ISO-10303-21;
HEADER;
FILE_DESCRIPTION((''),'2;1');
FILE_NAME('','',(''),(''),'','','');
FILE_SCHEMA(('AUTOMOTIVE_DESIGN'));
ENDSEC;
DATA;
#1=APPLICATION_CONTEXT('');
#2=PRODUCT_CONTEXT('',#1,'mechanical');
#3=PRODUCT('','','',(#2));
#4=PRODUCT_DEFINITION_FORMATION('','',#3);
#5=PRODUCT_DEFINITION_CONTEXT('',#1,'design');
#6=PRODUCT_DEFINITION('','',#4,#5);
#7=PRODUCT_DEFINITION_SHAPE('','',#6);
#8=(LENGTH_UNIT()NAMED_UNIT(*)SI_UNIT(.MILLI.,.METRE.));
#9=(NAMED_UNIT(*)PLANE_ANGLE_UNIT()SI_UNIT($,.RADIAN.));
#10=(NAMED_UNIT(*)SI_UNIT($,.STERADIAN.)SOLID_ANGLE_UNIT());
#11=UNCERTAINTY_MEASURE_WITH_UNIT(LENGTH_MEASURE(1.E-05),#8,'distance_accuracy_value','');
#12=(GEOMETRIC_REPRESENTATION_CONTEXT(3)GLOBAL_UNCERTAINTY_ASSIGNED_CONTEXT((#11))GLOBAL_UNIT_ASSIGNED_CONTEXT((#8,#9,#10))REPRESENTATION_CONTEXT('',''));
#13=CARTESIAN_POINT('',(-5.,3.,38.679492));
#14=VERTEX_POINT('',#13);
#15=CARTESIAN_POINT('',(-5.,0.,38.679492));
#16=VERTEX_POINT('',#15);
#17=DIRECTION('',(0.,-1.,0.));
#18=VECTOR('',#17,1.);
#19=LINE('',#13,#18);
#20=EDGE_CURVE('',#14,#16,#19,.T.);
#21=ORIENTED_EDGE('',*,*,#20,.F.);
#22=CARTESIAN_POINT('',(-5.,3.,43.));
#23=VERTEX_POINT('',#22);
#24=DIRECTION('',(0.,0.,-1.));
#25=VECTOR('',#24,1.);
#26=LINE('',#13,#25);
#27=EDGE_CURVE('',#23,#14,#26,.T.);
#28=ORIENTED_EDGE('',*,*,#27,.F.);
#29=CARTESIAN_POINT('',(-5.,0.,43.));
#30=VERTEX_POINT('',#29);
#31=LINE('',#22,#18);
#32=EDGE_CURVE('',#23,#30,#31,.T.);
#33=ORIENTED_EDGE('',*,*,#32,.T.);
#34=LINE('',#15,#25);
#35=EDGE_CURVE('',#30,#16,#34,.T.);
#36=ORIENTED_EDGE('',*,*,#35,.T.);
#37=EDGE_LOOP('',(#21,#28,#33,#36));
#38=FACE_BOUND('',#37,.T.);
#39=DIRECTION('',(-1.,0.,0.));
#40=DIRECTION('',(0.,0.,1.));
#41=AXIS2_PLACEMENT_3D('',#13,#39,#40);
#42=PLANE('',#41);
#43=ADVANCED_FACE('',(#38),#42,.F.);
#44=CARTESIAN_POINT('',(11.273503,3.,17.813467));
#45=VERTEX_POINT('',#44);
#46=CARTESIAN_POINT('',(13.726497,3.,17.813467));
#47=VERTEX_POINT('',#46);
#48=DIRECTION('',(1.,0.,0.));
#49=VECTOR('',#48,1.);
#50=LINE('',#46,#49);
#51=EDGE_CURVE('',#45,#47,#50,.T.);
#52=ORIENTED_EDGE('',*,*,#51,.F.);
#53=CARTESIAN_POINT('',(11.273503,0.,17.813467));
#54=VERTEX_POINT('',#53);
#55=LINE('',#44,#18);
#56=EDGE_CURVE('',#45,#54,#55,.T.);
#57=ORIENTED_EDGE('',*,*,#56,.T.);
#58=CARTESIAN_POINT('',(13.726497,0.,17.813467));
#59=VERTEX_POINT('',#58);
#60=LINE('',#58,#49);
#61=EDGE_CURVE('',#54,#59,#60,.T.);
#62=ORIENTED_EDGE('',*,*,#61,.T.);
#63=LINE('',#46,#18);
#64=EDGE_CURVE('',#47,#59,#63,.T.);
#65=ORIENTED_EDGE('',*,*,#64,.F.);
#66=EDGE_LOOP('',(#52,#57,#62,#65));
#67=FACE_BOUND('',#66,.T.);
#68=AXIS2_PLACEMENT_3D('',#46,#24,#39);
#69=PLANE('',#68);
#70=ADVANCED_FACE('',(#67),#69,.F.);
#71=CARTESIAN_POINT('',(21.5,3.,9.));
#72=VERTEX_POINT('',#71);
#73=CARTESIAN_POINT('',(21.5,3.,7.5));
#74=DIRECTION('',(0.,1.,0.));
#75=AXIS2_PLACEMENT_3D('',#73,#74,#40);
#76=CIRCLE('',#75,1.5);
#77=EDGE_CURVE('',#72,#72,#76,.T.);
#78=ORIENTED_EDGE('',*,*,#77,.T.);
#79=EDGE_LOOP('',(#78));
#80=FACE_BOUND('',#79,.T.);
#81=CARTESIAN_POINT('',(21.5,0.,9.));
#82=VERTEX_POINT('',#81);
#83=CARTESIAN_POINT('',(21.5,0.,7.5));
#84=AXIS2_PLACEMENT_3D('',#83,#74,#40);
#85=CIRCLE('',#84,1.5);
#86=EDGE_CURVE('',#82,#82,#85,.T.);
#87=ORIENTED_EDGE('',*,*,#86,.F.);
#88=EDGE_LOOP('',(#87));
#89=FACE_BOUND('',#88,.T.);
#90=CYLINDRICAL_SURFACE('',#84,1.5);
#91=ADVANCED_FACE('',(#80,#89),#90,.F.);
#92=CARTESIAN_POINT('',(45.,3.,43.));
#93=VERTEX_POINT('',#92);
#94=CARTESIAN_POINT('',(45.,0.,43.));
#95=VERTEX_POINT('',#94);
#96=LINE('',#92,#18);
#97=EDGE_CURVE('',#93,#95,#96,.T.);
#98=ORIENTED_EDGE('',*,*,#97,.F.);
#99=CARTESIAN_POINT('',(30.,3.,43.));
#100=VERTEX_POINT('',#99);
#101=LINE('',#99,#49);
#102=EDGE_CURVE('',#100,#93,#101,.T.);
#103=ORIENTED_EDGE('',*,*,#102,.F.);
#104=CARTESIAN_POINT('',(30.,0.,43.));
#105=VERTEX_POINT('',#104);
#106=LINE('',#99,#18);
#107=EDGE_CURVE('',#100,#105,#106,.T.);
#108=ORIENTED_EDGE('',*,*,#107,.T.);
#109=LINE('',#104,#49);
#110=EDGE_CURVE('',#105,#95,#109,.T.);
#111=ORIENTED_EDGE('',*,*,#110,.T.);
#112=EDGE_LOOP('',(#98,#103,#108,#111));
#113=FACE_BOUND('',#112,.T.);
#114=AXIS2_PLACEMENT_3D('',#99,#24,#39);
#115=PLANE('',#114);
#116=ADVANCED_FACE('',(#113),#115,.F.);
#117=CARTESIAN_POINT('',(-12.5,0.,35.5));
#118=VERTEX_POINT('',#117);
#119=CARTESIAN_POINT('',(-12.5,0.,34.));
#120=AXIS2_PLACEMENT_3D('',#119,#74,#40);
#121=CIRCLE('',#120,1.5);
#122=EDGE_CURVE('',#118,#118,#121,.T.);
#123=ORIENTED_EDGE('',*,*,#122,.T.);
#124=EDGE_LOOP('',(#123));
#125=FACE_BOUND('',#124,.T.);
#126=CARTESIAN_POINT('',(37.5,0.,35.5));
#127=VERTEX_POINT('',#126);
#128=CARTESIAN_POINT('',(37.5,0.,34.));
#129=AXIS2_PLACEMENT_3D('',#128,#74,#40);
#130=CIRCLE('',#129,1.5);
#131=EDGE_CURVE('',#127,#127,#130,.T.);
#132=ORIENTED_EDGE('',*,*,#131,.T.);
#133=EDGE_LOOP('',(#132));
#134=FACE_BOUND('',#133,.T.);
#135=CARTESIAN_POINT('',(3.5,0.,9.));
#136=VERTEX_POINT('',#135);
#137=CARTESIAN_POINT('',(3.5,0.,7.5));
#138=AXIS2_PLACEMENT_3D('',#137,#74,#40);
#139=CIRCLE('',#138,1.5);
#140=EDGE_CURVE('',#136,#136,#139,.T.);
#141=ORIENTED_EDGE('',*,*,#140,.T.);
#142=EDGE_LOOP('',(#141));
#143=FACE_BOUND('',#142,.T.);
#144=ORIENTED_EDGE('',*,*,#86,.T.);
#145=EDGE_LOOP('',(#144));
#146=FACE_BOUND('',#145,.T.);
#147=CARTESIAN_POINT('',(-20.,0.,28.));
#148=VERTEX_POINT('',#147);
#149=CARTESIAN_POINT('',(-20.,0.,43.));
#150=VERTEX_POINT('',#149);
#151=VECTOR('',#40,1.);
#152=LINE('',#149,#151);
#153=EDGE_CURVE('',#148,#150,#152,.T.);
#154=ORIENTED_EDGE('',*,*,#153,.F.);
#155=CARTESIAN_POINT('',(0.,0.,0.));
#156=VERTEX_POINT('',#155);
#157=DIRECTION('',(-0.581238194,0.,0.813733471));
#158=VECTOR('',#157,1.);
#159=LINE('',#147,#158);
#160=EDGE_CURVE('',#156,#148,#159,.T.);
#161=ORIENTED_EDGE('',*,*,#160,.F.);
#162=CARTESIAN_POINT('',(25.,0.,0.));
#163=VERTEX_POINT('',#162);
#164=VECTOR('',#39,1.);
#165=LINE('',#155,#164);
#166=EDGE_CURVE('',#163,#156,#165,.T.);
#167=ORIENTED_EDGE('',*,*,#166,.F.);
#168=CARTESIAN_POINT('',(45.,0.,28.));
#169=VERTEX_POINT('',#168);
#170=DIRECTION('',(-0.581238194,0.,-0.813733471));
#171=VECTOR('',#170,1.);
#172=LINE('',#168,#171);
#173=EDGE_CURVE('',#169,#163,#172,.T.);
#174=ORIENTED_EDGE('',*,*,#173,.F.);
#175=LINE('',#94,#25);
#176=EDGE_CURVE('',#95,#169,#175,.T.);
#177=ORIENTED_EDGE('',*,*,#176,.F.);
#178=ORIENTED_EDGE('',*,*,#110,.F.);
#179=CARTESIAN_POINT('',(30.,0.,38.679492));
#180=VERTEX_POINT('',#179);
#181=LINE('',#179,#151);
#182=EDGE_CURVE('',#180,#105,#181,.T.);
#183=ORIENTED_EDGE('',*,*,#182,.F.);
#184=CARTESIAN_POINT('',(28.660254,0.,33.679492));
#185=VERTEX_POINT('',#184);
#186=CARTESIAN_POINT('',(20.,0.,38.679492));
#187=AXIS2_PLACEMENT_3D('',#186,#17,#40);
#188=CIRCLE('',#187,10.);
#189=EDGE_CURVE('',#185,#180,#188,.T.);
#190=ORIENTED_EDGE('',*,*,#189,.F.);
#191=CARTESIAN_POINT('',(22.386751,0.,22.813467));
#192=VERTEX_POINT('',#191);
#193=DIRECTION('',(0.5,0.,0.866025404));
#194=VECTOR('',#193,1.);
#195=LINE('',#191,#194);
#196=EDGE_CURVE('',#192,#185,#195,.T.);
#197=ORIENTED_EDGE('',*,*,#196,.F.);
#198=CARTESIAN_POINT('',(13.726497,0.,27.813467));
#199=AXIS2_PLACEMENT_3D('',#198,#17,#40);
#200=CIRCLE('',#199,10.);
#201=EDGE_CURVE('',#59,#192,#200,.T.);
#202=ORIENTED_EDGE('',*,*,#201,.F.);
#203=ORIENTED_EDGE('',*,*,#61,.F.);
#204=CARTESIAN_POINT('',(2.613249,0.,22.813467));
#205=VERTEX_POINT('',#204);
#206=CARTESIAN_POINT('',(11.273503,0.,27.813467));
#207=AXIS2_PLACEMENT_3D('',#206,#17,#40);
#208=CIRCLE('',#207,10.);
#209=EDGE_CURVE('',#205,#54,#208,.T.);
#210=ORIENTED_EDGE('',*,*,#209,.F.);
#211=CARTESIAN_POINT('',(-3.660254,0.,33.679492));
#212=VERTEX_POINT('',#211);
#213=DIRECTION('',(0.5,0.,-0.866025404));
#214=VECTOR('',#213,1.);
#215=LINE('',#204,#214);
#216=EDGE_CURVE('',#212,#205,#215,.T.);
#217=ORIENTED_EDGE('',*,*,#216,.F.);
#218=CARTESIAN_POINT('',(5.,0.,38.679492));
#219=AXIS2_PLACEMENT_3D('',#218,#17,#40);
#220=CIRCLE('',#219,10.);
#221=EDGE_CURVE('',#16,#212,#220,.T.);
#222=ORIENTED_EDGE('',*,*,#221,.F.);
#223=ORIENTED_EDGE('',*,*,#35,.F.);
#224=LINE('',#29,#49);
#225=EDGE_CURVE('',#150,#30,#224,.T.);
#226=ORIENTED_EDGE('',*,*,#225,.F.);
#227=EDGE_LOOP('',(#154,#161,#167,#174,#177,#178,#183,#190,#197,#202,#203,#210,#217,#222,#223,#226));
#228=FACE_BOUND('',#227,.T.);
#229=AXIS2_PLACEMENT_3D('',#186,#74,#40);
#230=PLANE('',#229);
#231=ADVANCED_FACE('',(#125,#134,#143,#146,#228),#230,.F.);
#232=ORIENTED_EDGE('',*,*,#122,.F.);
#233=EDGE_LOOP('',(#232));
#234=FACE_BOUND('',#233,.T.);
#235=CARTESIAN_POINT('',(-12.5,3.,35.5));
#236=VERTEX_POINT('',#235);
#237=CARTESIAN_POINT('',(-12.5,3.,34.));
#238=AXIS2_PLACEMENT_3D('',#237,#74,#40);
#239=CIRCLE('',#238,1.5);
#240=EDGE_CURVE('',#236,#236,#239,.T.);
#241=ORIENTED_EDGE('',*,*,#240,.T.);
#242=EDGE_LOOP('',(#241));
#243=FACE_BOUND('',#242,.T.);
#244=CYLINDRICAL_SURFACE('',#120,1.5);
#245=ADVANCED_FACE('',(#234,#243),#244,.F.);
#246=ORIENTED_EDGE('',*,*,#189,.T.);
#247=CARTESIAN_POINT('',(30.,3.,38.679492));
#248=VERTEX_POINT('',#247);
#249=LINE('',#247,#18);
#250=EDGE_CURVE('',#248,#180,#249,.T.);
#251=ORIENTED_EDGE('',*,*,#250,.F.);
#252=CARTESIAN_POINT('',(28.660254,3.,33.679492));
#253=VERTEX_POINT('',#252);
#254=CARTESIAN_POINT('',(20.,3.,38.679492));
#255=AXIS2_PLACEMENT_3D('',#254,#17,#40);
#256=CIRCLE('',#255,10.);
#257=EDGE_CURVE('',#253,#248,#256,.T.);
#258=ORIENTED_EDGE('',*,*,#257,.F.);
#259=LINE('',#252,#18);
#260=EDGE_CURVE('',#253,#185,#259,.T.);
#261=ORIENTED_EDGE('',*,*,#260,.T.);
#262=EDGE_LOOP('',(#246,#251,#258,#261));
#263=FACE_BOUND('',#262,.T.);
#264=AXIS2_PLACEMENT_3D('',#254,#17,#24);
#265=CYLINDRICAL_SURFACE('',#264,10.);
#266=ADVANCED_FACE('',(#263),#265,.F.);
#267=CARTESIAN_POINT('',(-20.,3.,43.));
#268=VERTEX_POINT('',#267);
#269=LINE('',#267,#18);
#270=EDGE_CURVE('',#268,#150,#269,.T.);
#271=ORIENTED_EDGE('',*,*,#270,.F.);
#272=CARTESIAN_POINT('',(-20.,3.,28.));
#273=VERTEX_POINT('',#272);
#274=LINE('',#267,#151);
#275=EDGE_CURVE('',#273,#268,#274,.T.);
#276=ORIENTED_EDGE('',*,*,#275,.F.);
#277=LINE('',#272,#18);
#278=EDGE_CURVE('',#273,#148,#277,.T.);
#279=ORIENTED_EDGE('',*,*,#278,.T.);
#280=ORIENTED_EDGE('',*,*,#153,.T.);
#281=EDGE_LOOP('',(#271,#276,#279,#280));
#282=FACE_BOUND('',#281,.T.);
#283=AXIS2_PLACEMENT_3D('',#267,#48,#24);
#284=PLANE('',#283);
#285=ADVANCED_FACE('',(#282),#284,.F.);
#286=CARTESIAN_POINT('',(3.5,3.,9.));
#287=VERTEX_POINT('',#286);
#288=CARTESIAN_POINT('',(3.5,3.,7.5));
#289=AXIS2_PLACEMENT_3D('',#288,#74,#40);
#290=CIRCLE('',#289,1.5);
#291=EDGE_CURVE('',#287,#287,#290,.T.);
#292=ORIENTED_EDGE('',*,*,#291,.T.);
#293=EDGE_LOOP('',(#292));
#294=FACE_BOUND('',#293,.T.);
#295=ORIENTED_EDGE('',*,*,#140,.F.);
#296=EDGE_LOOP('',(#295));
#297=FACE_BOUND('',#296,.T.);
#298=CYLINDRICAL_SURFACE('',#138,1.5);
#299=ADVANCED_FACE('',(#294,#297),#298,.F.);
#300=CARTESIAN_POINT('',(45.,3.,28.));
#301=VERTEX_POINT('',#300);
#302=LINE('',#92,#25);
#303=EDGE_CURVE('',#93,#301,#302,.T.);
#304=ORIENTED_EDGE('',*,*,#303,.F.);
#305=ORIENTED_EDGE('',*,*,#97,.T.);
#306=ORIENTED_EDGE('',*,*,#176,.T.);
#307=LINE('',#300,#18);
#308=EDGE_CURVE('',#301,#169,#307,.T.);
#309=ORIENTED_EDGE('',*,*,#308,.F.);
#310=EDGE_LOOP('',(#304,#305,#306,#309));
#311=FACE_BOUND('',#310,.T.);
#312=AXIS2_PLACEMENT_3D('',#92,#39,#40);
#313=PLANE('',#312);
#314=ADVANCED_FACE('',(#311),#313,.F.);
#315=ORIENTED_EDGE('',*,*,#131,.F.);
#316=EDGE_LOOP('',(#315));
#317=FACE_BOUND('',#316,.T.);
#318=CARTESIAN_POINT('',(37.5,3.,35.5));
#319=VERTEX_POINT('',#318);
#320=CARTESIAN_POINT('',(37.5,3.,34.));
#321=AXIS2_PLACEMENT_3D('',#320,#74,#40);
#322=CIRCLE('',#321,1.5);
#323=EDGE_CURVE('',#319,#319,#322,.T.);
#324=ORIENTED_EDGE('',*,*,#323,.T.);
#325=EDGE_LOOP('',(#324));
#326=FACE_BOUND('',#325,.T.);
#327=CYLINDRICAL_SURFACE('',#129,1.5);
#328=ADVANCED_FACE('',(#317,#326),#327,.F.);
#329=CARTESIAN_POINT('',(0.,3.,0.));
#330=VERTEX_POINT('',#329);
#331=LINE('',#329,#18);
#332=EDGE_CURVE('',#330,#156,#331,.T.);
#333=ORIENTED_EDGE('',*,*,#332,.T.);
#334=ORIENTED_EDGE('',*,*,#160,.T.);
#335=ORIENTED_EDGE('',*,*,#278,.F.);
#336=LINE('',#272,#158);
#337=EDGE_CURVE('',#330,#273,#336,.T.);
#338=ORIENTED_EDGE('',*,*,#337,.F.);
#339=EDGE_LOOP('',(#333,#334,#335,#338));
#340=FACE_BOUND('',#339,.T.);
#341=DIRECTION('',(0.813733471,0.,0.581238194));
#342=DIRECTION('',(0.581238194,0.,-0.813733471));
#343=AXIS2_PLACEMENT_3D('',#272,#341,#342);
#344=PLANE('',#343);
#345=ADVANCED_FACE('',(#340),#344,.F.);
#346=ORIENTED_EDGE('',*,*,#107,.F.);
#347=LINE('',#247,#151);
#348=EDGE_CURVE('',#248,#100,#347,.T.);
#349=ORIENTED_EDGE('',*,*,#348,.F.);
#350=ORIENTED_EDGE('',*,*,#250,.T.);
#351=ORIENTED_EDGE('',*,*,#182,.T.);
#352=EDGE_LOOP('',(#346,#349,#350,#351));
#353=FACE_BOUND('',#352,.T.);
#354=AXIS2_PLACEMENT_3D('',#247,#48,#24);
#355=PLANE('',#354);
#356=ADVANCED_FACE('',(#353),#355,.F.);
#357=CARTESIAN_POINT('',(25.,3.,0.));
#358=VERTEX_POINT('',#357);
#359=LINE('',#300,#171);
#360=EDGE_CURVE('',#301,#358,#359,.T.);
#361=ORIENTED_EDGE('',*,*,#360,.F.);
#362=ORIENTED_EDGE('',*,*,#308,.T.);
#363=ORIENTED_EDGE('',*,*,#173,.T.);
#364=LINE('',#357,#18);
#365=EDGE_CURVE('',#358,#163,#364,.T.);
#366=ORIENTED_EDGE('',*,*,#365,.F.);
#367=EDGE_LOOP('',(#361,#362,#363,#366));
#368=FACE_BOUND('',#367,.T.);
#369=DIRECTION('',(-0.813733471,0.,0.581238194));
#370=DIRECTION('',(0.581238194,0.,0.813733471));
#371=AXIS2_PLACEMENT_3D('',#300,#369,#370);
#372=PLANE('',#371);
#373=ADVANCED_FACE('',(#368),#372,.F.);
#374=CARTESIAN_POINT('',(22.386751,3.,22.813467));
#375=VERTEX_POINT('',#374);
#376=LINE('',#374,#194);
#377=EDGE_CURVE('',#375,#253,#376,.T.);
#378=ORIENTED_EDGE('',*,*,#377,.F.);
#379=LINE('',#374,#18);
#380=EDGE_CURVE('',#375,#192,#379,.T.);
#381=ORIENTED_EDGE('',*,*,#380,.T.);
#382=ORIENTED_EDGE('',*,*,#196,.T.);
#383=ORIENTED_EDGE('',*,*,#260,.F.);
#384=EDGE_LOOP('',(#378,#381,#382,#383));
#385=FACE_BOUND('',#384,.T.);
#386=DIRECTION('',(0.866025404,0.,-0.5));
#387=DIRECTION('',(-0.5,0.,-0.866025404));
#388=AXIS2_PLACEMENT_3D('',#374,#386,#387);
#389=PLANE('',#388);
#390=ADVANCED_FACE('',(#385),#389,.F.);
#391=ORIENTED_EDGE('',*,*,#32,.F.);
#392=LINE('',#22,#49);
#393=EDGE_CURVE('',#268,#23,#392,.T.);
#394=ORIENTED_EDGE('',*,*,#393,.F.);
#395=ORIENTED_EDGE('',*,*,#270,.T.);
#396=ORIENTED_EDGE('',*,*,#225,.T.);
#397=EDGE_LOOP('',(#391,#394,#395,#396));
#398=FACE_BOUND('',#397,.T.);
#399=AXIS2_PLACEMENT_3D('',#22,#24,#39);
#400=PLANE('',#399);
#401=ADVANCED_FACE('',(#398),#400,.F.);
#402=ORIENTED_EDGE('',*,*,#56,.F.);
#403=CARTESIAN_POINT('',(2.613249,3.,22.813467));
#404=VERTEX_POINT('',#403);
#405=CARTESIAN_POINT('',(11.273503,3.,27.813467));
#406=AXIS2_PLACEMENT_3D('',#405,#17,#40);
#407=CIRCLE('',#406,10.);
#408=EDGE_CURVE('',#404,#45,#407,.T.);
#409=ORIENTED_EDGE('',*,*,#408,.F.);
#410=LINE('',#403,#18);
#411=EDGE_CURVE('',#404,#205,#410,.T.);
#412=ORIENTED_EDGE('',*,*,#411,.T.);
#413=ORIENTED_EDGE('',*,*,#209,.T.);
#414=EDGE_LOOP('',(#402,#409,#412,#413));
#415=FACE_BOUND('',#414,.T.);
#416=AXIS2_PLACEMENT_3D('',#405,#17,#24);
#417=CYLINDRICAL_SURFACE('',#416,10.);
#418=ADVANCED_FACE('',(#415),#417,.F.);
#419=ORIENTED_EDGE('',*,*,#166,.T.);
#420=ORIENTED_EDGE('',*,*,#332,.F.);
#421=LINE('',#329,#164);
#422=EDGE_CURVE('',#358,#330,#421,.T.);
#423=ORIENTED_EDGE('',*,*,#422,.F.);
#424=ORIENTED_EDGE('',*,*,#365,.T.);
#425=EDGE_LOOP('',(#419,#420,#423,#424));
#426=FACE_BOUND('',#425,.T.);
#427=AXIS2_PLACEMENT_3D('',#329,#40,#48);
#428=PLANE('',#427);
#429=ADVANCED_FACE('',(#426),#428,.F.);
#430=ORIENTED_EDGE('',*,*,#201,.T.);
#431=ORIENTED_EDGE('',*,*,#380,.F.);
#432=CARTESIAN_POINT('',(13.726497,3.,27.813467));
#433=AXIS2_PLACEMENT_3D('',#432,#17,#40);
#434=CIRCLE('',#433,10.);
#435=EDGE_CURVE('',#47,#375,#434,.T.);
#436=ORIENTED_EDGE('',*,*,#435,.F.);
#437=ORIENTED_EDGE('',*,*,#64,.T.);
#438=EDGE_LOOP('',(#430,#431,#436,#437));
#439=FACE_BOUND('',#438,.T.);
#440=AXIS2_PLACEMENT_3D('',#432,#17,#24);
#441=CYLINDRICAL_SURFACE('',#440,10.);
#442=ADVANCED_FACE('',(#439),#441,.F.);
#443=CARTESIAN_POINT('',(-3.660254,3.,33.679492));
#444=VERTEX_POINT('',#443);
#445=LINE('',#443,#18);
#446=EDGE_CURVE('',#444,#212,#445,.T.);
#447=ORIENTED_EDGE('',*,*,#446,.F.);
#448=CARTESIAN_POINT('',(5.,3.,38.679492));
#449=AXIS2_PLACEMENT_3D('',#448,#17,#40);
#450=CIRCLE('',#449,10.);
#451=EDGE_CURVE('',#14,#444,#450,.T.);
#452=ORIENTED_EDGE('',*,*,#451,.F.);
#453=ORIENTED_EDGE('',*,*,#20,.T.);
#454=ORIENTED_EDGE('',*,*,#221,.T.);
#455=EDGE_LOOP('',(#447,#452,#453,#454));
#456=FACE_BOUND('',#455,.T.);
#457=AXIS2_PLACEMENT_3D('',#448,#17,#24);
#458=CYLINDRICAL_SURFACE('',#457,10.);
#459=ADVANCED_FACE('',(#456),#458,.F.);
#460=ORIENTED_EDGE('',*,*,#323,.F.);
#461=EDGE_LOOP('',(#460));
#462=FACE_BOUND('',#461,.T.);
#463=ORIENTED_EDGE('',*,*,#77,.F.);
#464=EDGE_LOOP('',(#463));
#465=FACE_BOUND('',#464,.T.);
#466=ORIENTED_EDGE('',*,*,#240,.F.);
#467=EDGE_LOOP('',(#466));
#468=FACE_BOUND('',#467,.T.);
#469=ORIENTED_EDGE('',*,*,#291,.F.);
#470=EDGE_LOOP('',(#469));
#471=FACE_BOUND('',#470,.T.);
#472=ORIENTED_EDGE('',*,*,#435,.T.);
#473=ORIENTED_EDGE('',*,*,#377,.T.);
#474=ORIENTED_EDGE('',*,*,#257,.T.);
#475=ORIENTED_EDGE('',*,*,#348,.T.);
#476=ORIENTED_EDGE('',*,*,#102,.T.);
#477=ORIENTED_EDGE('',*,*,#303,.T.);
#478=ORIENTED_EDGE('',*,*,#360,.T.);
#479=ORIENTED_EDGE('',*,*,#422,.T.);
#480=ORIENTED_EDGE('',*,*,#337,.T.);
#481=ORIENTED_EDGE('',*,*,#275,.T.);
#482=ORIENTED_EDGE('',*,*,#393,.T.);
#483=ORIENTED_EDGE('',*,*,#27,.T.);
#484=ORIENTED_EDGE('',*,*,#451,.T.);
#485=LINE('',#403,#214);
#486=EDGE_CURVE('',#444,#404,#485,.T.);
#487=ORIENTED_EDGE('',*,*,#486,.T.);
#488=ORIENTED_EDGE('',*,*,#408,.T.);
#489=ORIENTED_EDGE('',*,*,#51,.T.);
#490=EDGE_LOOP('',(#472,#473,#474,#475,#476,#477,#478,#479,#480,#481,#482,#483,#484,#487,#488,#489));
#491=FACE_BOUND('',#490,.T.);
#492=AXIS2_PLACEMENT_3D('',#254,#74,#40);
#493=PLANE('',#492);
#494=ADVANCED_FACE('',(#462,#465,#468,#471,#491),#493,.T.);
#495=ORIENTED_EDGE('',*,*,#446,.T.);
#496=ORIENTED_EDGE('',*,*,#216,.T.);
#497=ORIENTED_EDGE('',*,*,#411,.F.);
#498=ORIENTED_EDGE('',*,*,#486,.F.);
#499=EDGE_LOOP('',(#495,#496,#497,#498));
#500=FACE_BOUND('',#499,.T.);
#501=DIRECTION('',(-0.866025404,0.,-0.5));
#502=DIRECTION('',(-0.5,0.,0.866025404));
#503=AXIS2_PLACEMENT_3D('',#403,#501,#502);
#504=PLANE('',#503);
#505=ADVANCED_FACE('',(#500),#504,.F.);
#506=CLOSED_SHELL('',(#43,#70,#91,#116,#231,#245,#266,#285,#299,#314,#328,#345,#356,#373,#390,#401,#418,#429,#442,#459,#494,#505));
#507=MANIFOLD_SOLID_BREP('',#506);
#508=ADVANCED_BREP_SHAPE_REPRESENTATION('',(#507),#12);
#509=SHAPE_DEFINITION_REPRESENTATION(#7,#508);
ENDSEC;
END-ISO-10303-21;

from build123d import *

# Parameters (mm, degrees)
EXTRUDE_1_DEPTH     = 3
SKETCH_2_R          = 1.5
CUT_EXTRUDE_1_DEPTH = 3


with BuildPart() as part:
    # 草图1 → 凸台-拉伸1 (new body)
    with BuildSketch(Plane(origin=(0, 0, 0), x_dir=(1, 0, 0), z_dir=(0, 1, 0))):
        with BuildLine():
            Line((0, 0), (25, 0))
            Line((25, 0), (45, -28))
            Line((45, -28), (45, -43))
            Line((45, -43), (30, -43))
            Line((30, -43), (30, -38.679491924))
            ThreePointArc((30, -38.679491924), (29.659258263, -36.091301473), (28.660254038, -33.679491924))
            Line((28.660254038, -33.679491924), (22.386751346, -22.813466521))
            ThreePointArc((22.386751346, -22.813466521), (18.726497308, -19.153212483), (13.726497308, -17.813466521))
            Line((13.726497308, -17.813466521), (11.273502692, -17.813466521))
            ThreePointArc((11.273502692, -17.813466521), (6.273502692, -19.153212483), (2.613248654, -22.813466521))
            Line((2.613248654, -22.813466521), (-3.660254038, -33.679491924))
            ThreePointArc((-3.660254038, -33.679491924), (-4.659258263, -36.091301473), (-5, -38.679491924))
            Line((-5, -38.679491924), (-5, -43))
            Line((-5, -43), (-20, -43))
            Line((-20, -43), (-20, -28))
            Line((-20, -28), (0, 0))
        make_face()
    extrude(amount=EXTRUDE_1_DEPTH)

    # 草图2 → 切除-拉伸1 (cut)
    with BuildSketch(Plane(origin=(0, 3, 0), x_dir=(1, 0, 0), z_dir=(0, 1, 0))):
        with Locations(Location((-12.5, -34, 0), (0, 0, 270))):
            Circle(SKETCH_2_R)
        with Locations(Location((37.5, -34, 0), (0, 0, 270))):
            Circle(SKETCH_2_R)
        with Locations(Location((3.5, -7.5, 0), (0, 0, 270))):
            Circle(SKETCH_2_R)
        with Locations(Location((21.5, -7.5, 0), (0, 0, 270))):
            Circle(SKETCH_2_R)
    extrude(amount=-CUT_EXTRUDE_1_DEPTH, mode=Mode.SUBTRACT)


solid = part.part
